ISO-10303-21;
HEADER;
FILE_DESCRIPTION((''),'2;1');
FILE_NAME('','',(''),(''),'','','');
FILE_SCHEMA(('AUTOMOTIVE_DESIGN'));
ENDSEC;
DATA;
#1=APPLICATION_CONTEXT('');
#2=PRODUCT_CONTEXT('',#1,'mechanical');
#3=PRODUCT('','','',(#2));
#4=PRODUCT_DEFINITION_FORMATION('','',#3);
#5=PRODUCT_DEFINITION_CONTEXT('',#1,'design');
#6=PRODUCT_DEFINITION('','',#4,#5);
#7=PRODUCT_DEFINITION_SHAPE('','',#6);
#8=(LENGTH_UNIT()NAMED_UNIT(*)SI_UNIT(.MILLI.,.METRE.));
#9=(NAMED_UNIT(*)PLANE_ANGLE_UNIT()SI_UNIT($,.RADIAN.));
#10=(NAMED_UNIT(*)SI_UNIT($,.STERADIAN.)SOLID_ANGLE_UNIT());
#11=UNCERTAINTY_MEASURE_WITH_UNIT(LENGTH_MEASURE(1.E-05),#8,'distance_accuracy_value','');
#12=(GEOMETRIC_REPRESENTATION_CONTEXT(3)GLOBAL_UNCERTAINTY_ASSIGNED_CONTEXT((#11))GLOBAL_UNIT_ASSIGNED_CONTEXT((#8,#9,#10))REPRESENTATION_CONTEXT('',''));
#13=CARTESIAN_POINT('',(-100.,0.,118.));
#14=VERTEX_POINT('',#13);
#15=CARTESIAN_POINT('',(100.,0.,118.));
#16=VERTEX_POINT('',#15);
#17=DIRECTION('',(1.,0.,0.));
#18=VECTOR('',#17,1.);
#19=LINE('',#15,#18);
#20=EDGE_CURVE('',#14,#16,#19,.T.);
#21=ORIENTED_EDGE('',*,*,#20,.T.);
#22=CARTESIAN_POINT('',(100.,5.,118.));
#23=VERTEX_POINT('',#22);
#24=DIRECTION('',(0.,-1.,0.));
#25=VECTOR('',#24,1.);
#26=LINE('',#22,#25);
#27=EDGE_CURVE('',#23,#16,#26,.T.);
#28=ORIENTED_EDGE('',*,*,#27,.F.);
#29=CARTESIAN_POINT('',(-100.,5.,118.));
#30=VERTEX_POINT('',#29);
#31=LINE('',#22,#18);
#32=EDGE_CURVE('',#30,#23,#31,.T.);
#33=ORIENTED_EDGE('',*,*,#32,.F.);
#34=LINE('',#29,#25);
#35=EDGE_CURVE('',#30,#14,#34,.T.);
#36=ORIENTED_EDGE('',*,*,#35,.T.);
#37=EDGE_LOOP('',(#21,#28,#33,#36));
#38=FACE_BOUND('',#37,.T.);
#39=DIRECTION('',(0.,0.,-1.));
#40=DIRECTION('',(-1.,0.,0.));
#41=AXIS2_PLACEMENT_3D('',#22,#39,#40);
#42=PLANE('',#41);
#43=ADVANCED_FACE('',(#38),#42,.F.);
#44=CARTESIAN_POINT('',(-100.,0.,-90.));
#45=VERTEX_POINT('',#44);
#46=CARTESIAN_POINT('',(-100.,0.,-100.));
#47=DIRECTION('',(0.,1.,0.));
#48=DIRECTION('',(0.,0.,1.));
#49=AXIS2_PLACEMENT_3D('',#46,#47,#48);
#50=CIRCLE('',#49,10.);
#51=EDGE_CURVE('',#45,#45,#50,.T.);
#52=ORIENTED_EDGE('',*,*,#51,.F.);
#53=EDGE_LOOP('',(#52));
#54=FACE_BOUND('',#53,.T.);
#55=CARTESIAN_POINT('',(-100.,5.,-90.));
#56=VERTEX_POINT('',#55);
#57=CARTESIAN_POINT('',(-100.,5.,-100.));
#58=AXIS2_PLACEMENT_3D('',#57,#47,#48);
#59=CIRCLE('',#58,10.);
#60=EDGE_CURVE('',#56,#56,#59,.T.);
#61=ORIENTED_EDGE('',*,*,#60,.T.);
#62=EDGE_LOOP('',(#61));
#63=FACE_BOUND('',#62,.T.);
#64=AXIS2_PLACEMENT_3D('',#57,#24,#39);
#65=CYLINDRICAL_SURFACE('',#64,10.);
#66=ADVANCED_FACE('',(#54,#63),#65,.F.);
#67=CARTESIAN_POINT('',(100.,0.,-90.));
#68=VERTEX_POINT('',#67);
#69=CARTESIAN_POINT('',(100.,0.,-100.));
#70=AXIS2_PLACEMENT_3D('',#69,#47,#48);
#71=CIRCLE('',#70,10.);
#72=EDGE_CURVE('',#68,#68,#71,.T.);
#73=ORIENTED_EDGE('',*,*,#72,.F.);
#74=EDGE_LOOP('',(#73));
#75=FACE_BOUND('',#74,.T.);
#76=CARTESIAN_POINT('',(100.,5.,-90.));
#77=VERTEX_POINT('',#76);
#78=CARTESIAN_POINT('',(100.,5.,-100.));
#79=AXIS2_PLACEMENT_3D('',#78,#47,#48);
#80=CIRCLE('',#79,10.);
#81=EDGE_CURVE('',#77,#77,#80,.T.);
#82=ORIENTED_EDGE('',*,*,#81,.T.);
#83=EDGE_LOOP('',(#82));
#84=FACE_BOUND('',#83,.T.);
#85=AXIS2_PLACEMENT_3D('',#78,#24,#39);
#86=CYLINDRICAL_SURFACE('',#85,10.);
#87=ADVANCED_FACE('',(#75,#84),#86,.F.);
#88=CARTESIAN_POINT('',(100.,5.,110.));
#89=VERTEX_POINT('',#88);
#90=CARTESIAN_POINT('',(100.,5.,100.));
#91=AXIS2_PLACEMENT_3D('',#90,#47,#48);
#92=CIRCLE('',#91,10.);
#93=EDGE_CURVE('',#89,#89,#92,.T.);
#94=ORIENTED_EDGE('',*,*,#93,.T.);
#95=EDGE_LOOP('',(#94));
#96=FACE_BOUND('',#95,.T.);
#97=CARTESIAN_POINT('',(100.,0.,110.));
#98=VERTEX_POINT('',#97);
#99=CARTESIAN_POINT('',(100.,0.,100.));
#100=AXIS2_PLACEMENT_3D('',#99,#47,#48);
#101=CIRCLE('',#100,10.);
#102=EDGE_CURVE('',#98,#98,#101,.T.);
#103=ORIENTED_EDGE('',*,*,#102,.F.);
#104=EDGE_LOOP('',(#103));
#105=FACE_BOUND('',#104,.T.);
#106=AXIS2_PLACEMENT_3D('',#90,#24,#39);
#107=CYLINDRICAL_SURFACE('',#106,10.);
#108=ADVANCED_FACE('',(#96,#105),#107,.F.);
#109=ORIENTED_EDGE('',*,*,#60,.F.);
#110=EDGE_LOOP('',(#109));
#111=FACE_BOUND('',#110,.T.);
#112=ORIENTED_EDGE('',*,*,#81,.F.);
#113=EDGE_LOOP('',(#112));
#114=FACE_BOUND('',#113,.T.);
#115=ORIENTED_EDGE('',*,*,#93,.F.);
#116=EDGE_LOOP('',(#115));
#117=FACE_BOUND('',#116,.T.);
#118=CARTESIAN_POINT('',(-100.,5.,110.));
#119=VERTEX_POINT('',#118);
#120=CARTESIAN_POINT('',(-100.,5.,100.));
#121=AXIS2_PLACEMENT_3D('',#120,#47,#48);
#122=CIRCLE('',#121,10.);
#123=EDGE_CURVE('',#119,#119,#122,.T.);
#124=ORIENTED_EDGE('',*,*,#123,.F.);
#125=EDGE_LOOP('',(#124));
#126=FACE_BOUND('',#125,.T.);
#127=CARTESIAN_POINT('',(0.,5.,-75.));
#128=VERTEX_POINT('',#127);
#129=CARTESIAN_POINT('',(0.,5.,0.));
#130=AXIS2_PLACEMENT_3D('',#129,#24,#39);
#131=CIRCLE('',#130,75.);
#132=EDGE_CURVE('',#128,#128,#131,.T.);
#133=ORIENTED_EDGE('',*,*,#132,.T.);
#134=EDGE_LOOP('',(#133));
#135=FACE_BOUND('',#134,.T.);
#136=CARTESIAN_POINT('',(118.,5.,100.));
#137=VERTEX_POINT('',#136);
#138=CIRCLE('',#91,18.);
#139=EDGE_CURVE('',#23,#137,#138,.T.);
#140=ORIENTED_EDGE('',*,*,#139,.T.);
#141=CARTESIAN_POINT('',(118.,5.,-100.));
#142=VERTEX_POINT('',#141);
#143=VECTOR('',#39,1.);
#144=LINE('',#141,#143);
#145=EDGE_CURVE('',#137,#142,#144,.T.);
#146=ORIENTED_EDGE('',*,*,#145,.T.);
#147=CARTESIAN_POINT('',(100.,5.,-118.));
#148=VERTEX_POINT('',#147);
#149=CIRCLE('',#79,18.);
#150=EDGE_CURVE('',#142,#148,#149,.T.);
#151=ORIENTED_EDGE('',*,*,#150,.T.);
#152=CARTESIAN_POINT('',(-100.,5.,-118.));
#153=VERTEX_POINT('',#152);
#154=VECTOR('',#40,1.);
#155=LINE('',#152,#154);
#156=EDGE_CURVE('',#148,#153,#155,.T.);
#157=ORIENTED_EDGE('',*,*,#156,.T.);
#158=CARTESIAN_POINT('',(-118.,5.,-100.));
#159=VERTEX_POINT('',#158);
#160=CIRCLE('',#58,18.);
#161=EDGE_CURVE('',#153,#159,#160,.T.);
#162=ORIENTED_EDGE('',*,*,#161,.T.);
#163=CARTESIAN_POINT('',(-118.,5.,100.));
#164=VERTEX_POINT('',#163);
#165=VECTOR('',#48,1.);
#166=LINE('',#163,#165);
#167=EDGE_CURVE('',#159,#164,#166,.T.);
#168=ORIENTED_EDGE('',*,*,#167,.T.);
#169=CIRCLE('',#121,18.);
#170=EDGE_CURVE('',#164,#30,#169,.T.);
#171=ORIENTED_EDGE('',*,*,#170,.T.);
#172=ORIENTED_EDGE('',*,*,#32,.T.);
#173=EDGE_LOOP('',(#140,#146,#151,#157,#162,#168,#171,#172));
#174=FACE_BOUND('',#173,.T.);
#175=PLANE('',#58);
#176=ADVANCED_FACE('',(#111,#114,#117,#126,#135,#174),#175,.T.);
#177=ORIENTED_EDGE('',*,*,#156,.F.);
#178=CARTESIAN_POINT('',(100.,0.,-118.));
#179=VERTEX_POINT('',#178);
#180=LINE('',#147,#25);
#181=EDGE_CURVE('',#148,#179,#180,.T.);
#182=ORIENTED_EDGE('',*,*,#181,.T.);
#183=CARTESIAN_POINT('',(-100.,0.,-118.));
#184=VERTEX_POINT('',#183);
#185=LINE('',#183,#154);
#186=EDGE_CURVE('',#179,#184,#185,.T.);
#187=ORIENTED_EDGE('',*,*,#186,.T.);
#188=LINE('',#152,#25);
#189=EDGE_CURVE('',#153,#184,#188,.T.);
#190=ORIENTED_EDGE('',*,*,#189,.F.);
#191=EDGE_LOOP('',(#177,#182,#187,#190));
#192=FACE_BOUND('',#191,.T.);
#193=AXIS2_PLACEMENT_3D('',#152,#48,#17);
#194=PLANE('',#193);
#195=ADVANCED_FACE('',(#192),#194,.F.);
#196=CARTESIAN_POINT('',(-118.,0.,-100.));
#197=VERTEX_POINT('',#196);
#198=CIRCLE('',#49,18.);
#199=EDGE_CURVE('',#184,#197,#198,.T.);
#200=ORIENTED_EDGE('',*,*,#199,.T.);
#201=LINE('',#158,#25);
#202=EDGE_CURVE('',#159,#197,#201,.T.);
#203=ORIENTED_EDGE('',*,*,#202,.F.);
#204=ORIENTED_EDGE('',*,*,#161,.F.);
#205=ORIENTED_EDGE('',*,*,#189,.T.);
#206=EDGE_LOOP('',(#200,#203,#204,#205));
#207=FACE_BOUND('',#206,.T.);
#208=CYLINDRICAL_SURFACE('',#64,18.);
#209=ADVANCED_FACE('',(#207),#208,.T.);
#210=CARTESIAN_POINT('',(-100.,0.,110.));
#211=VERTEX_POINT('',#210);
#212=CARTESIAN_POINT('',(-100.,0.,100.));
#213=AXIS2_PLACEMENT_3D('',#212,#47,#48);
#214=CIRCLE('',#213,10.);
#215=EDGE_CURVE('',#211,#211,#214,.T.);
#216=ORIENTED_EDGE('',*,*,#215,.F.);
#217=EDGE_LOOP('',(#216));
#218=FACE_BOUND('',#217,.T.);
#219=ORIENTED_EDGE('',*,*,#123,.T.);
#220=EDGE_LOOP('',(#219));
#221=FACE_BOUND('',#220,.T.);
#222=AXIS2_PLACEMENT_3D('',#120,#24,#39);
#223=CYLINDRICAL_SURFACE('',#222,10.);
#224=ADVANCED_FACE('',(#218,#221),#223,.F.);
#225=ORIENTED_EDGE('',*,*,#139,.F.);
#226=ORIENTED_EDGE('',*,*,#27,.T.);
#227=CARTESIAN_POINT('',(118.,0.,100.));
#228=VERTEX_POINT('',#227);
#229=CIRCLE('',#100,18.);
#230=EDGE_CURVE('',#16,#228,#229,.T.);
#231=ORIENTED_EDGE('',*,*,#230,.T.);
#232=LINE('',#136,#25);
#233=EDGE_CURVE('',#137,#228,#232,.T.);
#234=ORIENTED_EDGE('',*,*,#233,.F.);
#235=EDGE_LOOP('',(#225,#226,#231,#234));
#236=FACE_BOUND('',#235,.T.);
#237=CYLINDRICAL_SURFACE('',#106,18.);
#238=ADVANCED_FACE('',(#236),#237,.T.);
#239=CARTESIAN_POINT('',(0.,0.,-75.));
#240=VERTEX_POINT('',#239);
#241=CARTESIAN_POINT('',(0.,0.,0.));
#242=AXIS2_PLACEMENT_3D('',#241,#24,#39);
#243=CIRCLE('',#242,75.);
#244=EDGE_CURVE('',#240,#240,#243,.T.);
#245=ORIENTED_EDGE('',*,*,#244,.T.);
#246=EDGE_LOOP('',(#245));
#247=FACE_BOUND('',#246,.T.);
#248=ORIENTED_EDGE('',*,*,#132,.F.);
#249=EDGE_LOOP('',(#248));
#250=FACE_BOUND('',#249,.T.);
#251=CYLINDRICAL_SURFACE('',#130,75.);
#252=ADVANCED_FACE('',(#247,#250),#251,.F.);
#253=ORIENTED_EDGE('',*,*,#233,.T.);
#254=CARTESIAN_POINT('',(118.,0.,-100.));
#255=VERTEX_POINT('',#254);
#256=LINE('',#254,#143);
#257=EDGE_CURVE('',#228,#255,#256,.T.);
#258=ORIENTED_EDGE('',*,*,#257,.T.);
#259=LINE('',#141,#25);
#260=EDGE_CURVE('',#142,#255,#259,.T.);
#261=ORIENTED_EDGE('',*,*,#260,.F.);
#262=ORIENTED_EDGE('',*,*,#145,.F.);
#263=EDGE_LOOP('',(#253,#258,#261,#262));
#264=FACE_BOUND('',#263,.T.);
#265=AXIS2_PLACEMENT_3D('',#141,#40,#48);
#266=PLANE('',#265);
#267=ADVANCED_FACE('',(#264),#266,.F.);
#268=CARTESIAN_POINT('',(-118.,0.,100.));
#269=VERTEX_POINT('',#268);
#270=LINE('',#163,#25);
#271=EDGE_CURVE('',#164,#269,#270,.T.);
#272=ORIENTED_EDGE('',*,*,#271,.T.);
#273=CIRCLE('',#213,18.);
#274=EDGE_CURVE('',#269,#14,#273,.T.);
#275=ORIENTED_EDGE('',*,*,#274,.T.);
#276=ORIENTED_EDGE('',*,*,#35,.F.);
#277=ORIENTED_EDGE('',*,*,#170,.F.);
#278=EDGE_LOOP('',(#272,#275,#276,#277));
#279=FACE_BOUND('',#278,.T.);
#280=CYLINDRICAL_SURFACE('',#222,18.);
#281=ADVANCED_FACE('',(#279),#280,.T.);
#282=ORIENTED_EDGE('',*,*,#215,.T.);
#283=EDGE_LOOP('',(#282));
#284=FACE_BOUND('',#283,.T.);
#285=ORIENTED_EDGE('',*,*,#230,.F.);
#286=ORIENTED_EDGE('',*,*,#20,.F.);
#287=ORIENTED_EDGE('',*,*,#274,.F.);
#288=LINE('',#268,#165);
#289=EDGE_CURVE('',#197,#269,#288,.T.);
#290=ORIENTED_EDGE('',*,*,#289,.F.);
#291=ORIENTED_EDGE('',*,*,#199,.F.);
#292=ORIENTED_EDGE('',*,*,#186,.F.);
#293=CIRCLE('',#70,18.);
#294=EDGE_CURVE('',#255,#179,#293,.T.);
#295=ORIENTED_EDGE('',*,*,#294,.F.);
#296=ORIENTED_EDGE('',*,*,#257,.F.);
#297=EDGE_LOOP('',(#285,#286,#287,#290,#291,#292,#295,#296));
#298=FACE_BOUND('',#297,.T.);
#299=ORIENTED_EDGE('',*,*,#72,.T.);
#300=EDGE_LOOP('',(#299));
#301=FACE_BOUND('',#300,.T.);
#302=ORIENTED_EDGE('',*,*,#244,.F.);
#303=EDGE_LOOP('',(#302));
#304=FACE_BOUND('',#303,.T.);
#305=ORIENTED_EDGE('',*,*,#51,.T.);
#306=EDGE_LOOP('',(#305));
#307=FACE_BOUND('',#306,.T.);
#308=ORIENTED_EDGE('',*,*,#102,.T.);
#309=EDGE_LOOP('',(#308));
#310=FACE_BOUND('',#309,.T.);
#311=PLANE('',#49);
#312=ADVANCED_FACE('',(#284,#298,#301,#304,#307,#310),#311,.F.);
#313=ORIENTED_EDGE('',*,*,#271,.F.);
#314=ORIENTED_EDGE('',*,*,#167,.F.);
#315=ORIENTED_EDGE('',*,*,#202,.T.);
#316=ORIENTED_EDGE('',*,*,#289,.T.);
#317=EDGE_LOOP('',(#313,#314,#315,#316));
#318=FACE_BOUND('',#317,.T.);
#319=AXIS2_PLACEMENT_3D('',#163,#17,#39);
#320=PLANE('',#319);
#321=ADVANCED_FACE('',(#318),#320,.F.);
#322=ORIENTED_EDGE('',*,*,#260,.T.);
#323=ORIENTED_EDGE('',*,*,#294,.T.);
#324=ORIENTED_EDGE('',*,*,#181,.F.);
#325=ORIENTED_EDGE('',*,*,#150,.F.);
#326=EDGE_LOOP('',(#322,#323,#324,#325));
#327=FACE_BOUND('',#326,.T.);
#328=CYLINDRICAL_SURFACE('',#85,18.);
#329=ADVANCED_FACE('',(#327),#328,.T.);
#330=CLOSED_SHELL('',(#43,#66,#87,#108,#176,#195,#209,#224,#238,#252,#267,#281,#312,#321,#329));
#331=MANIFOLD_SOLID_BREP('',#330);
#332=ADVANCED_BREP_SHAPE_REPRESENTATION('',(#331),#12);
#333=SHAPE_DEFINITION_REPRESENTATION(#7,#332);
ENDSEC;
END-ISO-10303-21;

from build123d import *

# Parameters (mm, degrees)
SKETCH_1_R          = 10
EXTRUDE_1_DEPTH     = 5
SKETCH_2_R          = 75
CUT_EXTRUDE_1_DEPTH = 167.952088936


with BuildPart() as part:
    # 草图1 → 凸台-拉伸1 (new body)
    with BuildSketch(Plane(origin=(0, 0, 0), x_dir=(1, 0, 0), z_dir=(0, 1, 0))):
        with BuildLine():
            Line((-100, 118), (100, 118))
            ThreePointArc((100, 118), (112.727922061, 112.727922061), (118, 100))
            Line((118, 100), (118, -100))
            ThreePointArc((118, -100), (112.727922061, -112.727922061), (100, -118))
            Line((100, -118), (-100, -118))
            ThreePointArc((-100, -118), (-112.727922061, -112.727922061), (-118, -100))
            Line((-118, -100), (-118, 100))
            ThreePointArc((-118, 100), (-112.727922061, 112.727922061), (-100, 118))
        make_face()
        with Locations(Location((100, 100, 0), (0, 0, 270))):
            Circle(SKETCH_1_R, mode=Mode.SUBTRACT)
        with Locations(Location((100, -100, 0), (0, 0, 270))):
            Circle(SKETCH_1_R, mode=Mode.SUBTRACT)
        with Locations(Location((-100, -100, 0), (0, 0, 270))):
            Circle(SKETCH_1_R, mode=Mode.SUBTRACT)
        with Locations(Location((-100, 100, 0), (0, 0, 270))):
            Circle(SKETCH_1_R, mode=Mode.SUBTRACT)
    extrude(amount=EXTRUDE_1_DEPTH)

    # 草图2 → 切除-拉伸1 (cut, through all)
    with BuildSketch(Plane.XZ):
        with Locations(Location((0, 0, 0), (0, 0, 270))):
            Circle(SKETCH_2_R)
    extrude(amount=-CUT_EXTRUDE_1_DEPTH, mode=Mode.SUBTRACT)


solid = part.part
